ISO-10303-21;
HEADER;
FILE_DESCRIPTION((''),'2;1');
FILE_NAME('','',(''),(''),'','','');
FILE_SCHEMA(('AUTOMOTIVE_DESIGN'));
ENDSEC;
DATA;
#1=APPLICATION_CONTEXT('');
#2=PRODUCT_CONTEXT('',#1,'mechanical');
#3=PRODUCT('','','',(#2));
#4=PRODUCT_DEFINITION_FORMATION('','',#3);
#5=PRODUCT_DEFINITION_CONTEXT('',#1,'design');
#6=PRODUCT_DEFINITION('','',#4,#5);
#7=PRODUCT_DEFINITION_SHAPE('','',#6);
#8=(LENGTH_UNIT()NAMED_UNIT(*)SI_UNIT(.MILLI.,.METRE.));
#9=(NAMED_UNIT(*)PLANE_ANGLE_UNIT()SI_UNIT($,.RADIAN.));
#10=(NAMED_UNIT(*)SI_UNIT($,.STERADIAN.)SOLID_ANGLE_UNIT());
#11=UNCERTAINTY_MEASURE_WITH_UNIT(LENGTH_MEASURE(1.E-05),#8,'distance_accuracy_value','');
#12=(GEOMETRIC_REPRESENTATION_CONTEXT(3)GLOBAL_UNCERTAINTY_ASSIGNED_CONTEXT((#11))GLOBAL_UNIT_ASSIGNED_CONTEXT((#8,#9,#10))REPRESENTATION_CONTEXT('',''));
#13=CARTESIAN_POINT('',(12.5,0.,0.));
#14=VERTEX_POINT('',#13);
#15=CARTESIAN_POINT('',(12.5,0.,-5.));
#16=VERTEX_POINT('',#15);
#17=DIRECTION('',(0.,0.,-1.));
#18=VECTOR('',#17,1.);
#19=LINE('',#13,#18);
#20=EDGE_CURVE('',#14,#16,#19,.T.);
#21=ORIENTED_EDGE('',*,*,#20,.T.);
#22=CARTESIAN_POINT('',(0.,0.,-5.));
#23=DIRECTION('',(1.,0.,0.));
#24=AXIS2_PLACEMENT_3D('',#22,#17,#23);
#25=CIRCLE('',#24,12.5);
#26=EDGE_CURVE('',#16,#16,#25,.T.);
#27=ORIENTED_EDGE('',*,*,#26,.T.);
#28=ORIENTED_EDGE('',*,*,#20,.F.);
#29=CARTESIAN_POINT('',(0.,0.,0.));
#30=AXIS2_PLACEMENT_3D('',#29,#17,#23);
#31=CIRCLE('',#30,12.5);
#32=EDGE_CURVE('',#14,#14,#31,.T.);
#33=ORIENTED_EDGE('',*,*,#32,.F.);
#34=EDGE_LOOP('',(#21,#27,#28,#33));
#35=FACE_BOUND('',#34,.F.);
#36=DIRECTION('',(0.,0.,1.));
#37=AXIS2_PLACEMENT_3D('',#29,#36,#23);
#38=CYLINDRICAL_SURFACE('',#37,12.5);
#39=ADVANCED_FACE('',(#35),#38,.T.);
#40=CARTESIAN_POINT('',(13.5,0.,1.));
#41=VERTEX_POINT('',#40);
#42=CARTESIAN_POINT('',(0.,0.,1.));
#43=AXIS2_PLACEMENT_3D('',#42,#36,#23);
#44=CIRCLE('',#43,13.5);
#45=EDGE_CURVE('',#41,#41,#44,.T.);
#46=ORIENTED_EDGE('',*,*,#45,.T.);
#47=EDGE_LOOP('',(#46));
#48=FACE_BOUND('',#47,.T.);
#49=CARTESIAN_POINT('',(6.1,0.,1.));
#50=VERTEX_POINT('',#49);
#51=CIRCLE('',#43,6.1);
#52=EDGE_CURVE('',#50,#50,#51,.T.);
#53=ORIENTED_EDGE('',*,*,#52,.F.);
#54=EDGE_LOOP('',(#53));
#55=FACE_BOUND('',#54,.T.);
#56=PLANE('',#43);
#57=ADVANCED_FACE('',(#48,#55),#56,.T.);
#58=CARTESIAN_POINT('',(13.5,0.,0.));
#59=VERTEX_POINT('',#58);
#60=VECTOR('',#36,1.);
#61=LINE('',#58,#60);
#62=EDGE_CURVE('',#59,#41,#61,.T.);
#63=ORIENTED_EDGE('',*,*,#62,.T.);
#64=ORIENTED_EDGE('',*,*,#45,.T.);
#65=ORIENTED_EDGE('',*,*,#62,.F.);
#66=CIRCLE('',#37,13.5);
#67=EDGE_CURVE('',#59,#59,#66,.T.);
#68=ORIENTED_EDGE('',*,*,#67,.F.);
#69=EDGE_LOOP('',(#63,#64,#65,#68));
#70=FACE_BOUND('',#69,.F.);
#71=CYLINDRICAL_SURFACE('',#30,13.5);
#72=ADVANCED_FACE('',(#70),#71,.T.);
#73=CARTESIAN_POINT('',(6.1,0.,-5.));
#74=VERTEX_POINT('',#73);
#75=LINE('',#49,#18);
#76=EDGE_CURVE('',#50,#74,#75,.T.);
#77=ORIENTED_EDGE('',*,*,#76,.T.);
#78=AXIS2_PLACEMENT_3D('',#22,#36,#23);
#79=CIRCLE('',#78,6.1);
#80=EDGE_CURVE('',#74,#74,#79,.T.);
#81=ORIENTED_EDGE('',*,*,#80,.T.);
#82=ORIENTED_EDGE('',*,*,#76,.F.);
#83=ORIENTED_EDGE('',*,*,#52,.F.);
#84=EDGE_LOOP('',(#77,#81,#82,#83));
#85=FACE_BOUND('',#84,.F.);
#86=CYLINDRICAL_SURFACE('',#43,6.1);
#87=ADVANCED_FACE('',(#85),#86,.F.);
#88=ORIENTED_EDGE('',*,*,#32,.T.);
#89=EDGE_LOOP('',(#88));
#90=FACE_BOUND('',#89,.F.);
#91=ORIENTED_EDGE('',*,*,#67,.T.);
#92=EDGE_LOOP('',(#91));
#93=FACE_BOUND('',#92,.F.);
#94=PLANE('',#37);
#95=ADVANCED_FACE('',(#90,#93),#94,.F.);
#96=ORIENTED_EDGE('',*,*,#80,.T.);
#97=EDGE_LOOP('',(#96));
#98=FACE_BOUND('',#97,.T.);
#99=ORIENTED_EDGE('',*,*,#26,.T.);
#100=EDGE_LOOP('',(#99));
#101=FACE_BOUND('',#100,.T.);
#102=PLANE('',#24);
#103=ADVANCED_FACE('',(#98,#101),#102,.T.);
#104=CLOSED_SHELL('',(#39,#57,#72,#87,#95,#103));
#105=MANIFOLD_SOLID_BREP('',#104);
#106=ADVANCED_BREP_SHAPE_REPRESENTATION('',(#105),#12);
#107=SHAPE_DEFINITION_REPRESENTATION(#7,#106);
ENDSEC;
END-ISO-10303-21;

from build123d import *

# Parameters (mm, degrees)
F0_R     = 13.5
F1_DEPTH = 1
F2_R     = 12.5
F3_DEPTH = 5
F4_R     = 6.1
F5_DEPTH = 6.001


with BuildPart() as f1:
    # F0 (on Top) → F1 (new body)
    with BuildSketch(Plane.XY):
        Circle(F0_R)
    extrude(amount=F1_DEPTH)

    # F2 (on face) → F3 (join)
    with BuildSketch(Plane(origin=(0, 0, 0), x_dir=(1, 0, 0), z_dir=(0, 0, -1))):
        Circle(F2_R)
    extrude(amount=F3_DEPTH)

    # F4 (on face) → F5 (cut, through all)
    with BuildSketch(Plane.XY.offset(1)):
        Circle(F4_R)
    extrude(amount=-F5_DEPTH, mode=Mode.SUBTRACT)


solid = f1.part
